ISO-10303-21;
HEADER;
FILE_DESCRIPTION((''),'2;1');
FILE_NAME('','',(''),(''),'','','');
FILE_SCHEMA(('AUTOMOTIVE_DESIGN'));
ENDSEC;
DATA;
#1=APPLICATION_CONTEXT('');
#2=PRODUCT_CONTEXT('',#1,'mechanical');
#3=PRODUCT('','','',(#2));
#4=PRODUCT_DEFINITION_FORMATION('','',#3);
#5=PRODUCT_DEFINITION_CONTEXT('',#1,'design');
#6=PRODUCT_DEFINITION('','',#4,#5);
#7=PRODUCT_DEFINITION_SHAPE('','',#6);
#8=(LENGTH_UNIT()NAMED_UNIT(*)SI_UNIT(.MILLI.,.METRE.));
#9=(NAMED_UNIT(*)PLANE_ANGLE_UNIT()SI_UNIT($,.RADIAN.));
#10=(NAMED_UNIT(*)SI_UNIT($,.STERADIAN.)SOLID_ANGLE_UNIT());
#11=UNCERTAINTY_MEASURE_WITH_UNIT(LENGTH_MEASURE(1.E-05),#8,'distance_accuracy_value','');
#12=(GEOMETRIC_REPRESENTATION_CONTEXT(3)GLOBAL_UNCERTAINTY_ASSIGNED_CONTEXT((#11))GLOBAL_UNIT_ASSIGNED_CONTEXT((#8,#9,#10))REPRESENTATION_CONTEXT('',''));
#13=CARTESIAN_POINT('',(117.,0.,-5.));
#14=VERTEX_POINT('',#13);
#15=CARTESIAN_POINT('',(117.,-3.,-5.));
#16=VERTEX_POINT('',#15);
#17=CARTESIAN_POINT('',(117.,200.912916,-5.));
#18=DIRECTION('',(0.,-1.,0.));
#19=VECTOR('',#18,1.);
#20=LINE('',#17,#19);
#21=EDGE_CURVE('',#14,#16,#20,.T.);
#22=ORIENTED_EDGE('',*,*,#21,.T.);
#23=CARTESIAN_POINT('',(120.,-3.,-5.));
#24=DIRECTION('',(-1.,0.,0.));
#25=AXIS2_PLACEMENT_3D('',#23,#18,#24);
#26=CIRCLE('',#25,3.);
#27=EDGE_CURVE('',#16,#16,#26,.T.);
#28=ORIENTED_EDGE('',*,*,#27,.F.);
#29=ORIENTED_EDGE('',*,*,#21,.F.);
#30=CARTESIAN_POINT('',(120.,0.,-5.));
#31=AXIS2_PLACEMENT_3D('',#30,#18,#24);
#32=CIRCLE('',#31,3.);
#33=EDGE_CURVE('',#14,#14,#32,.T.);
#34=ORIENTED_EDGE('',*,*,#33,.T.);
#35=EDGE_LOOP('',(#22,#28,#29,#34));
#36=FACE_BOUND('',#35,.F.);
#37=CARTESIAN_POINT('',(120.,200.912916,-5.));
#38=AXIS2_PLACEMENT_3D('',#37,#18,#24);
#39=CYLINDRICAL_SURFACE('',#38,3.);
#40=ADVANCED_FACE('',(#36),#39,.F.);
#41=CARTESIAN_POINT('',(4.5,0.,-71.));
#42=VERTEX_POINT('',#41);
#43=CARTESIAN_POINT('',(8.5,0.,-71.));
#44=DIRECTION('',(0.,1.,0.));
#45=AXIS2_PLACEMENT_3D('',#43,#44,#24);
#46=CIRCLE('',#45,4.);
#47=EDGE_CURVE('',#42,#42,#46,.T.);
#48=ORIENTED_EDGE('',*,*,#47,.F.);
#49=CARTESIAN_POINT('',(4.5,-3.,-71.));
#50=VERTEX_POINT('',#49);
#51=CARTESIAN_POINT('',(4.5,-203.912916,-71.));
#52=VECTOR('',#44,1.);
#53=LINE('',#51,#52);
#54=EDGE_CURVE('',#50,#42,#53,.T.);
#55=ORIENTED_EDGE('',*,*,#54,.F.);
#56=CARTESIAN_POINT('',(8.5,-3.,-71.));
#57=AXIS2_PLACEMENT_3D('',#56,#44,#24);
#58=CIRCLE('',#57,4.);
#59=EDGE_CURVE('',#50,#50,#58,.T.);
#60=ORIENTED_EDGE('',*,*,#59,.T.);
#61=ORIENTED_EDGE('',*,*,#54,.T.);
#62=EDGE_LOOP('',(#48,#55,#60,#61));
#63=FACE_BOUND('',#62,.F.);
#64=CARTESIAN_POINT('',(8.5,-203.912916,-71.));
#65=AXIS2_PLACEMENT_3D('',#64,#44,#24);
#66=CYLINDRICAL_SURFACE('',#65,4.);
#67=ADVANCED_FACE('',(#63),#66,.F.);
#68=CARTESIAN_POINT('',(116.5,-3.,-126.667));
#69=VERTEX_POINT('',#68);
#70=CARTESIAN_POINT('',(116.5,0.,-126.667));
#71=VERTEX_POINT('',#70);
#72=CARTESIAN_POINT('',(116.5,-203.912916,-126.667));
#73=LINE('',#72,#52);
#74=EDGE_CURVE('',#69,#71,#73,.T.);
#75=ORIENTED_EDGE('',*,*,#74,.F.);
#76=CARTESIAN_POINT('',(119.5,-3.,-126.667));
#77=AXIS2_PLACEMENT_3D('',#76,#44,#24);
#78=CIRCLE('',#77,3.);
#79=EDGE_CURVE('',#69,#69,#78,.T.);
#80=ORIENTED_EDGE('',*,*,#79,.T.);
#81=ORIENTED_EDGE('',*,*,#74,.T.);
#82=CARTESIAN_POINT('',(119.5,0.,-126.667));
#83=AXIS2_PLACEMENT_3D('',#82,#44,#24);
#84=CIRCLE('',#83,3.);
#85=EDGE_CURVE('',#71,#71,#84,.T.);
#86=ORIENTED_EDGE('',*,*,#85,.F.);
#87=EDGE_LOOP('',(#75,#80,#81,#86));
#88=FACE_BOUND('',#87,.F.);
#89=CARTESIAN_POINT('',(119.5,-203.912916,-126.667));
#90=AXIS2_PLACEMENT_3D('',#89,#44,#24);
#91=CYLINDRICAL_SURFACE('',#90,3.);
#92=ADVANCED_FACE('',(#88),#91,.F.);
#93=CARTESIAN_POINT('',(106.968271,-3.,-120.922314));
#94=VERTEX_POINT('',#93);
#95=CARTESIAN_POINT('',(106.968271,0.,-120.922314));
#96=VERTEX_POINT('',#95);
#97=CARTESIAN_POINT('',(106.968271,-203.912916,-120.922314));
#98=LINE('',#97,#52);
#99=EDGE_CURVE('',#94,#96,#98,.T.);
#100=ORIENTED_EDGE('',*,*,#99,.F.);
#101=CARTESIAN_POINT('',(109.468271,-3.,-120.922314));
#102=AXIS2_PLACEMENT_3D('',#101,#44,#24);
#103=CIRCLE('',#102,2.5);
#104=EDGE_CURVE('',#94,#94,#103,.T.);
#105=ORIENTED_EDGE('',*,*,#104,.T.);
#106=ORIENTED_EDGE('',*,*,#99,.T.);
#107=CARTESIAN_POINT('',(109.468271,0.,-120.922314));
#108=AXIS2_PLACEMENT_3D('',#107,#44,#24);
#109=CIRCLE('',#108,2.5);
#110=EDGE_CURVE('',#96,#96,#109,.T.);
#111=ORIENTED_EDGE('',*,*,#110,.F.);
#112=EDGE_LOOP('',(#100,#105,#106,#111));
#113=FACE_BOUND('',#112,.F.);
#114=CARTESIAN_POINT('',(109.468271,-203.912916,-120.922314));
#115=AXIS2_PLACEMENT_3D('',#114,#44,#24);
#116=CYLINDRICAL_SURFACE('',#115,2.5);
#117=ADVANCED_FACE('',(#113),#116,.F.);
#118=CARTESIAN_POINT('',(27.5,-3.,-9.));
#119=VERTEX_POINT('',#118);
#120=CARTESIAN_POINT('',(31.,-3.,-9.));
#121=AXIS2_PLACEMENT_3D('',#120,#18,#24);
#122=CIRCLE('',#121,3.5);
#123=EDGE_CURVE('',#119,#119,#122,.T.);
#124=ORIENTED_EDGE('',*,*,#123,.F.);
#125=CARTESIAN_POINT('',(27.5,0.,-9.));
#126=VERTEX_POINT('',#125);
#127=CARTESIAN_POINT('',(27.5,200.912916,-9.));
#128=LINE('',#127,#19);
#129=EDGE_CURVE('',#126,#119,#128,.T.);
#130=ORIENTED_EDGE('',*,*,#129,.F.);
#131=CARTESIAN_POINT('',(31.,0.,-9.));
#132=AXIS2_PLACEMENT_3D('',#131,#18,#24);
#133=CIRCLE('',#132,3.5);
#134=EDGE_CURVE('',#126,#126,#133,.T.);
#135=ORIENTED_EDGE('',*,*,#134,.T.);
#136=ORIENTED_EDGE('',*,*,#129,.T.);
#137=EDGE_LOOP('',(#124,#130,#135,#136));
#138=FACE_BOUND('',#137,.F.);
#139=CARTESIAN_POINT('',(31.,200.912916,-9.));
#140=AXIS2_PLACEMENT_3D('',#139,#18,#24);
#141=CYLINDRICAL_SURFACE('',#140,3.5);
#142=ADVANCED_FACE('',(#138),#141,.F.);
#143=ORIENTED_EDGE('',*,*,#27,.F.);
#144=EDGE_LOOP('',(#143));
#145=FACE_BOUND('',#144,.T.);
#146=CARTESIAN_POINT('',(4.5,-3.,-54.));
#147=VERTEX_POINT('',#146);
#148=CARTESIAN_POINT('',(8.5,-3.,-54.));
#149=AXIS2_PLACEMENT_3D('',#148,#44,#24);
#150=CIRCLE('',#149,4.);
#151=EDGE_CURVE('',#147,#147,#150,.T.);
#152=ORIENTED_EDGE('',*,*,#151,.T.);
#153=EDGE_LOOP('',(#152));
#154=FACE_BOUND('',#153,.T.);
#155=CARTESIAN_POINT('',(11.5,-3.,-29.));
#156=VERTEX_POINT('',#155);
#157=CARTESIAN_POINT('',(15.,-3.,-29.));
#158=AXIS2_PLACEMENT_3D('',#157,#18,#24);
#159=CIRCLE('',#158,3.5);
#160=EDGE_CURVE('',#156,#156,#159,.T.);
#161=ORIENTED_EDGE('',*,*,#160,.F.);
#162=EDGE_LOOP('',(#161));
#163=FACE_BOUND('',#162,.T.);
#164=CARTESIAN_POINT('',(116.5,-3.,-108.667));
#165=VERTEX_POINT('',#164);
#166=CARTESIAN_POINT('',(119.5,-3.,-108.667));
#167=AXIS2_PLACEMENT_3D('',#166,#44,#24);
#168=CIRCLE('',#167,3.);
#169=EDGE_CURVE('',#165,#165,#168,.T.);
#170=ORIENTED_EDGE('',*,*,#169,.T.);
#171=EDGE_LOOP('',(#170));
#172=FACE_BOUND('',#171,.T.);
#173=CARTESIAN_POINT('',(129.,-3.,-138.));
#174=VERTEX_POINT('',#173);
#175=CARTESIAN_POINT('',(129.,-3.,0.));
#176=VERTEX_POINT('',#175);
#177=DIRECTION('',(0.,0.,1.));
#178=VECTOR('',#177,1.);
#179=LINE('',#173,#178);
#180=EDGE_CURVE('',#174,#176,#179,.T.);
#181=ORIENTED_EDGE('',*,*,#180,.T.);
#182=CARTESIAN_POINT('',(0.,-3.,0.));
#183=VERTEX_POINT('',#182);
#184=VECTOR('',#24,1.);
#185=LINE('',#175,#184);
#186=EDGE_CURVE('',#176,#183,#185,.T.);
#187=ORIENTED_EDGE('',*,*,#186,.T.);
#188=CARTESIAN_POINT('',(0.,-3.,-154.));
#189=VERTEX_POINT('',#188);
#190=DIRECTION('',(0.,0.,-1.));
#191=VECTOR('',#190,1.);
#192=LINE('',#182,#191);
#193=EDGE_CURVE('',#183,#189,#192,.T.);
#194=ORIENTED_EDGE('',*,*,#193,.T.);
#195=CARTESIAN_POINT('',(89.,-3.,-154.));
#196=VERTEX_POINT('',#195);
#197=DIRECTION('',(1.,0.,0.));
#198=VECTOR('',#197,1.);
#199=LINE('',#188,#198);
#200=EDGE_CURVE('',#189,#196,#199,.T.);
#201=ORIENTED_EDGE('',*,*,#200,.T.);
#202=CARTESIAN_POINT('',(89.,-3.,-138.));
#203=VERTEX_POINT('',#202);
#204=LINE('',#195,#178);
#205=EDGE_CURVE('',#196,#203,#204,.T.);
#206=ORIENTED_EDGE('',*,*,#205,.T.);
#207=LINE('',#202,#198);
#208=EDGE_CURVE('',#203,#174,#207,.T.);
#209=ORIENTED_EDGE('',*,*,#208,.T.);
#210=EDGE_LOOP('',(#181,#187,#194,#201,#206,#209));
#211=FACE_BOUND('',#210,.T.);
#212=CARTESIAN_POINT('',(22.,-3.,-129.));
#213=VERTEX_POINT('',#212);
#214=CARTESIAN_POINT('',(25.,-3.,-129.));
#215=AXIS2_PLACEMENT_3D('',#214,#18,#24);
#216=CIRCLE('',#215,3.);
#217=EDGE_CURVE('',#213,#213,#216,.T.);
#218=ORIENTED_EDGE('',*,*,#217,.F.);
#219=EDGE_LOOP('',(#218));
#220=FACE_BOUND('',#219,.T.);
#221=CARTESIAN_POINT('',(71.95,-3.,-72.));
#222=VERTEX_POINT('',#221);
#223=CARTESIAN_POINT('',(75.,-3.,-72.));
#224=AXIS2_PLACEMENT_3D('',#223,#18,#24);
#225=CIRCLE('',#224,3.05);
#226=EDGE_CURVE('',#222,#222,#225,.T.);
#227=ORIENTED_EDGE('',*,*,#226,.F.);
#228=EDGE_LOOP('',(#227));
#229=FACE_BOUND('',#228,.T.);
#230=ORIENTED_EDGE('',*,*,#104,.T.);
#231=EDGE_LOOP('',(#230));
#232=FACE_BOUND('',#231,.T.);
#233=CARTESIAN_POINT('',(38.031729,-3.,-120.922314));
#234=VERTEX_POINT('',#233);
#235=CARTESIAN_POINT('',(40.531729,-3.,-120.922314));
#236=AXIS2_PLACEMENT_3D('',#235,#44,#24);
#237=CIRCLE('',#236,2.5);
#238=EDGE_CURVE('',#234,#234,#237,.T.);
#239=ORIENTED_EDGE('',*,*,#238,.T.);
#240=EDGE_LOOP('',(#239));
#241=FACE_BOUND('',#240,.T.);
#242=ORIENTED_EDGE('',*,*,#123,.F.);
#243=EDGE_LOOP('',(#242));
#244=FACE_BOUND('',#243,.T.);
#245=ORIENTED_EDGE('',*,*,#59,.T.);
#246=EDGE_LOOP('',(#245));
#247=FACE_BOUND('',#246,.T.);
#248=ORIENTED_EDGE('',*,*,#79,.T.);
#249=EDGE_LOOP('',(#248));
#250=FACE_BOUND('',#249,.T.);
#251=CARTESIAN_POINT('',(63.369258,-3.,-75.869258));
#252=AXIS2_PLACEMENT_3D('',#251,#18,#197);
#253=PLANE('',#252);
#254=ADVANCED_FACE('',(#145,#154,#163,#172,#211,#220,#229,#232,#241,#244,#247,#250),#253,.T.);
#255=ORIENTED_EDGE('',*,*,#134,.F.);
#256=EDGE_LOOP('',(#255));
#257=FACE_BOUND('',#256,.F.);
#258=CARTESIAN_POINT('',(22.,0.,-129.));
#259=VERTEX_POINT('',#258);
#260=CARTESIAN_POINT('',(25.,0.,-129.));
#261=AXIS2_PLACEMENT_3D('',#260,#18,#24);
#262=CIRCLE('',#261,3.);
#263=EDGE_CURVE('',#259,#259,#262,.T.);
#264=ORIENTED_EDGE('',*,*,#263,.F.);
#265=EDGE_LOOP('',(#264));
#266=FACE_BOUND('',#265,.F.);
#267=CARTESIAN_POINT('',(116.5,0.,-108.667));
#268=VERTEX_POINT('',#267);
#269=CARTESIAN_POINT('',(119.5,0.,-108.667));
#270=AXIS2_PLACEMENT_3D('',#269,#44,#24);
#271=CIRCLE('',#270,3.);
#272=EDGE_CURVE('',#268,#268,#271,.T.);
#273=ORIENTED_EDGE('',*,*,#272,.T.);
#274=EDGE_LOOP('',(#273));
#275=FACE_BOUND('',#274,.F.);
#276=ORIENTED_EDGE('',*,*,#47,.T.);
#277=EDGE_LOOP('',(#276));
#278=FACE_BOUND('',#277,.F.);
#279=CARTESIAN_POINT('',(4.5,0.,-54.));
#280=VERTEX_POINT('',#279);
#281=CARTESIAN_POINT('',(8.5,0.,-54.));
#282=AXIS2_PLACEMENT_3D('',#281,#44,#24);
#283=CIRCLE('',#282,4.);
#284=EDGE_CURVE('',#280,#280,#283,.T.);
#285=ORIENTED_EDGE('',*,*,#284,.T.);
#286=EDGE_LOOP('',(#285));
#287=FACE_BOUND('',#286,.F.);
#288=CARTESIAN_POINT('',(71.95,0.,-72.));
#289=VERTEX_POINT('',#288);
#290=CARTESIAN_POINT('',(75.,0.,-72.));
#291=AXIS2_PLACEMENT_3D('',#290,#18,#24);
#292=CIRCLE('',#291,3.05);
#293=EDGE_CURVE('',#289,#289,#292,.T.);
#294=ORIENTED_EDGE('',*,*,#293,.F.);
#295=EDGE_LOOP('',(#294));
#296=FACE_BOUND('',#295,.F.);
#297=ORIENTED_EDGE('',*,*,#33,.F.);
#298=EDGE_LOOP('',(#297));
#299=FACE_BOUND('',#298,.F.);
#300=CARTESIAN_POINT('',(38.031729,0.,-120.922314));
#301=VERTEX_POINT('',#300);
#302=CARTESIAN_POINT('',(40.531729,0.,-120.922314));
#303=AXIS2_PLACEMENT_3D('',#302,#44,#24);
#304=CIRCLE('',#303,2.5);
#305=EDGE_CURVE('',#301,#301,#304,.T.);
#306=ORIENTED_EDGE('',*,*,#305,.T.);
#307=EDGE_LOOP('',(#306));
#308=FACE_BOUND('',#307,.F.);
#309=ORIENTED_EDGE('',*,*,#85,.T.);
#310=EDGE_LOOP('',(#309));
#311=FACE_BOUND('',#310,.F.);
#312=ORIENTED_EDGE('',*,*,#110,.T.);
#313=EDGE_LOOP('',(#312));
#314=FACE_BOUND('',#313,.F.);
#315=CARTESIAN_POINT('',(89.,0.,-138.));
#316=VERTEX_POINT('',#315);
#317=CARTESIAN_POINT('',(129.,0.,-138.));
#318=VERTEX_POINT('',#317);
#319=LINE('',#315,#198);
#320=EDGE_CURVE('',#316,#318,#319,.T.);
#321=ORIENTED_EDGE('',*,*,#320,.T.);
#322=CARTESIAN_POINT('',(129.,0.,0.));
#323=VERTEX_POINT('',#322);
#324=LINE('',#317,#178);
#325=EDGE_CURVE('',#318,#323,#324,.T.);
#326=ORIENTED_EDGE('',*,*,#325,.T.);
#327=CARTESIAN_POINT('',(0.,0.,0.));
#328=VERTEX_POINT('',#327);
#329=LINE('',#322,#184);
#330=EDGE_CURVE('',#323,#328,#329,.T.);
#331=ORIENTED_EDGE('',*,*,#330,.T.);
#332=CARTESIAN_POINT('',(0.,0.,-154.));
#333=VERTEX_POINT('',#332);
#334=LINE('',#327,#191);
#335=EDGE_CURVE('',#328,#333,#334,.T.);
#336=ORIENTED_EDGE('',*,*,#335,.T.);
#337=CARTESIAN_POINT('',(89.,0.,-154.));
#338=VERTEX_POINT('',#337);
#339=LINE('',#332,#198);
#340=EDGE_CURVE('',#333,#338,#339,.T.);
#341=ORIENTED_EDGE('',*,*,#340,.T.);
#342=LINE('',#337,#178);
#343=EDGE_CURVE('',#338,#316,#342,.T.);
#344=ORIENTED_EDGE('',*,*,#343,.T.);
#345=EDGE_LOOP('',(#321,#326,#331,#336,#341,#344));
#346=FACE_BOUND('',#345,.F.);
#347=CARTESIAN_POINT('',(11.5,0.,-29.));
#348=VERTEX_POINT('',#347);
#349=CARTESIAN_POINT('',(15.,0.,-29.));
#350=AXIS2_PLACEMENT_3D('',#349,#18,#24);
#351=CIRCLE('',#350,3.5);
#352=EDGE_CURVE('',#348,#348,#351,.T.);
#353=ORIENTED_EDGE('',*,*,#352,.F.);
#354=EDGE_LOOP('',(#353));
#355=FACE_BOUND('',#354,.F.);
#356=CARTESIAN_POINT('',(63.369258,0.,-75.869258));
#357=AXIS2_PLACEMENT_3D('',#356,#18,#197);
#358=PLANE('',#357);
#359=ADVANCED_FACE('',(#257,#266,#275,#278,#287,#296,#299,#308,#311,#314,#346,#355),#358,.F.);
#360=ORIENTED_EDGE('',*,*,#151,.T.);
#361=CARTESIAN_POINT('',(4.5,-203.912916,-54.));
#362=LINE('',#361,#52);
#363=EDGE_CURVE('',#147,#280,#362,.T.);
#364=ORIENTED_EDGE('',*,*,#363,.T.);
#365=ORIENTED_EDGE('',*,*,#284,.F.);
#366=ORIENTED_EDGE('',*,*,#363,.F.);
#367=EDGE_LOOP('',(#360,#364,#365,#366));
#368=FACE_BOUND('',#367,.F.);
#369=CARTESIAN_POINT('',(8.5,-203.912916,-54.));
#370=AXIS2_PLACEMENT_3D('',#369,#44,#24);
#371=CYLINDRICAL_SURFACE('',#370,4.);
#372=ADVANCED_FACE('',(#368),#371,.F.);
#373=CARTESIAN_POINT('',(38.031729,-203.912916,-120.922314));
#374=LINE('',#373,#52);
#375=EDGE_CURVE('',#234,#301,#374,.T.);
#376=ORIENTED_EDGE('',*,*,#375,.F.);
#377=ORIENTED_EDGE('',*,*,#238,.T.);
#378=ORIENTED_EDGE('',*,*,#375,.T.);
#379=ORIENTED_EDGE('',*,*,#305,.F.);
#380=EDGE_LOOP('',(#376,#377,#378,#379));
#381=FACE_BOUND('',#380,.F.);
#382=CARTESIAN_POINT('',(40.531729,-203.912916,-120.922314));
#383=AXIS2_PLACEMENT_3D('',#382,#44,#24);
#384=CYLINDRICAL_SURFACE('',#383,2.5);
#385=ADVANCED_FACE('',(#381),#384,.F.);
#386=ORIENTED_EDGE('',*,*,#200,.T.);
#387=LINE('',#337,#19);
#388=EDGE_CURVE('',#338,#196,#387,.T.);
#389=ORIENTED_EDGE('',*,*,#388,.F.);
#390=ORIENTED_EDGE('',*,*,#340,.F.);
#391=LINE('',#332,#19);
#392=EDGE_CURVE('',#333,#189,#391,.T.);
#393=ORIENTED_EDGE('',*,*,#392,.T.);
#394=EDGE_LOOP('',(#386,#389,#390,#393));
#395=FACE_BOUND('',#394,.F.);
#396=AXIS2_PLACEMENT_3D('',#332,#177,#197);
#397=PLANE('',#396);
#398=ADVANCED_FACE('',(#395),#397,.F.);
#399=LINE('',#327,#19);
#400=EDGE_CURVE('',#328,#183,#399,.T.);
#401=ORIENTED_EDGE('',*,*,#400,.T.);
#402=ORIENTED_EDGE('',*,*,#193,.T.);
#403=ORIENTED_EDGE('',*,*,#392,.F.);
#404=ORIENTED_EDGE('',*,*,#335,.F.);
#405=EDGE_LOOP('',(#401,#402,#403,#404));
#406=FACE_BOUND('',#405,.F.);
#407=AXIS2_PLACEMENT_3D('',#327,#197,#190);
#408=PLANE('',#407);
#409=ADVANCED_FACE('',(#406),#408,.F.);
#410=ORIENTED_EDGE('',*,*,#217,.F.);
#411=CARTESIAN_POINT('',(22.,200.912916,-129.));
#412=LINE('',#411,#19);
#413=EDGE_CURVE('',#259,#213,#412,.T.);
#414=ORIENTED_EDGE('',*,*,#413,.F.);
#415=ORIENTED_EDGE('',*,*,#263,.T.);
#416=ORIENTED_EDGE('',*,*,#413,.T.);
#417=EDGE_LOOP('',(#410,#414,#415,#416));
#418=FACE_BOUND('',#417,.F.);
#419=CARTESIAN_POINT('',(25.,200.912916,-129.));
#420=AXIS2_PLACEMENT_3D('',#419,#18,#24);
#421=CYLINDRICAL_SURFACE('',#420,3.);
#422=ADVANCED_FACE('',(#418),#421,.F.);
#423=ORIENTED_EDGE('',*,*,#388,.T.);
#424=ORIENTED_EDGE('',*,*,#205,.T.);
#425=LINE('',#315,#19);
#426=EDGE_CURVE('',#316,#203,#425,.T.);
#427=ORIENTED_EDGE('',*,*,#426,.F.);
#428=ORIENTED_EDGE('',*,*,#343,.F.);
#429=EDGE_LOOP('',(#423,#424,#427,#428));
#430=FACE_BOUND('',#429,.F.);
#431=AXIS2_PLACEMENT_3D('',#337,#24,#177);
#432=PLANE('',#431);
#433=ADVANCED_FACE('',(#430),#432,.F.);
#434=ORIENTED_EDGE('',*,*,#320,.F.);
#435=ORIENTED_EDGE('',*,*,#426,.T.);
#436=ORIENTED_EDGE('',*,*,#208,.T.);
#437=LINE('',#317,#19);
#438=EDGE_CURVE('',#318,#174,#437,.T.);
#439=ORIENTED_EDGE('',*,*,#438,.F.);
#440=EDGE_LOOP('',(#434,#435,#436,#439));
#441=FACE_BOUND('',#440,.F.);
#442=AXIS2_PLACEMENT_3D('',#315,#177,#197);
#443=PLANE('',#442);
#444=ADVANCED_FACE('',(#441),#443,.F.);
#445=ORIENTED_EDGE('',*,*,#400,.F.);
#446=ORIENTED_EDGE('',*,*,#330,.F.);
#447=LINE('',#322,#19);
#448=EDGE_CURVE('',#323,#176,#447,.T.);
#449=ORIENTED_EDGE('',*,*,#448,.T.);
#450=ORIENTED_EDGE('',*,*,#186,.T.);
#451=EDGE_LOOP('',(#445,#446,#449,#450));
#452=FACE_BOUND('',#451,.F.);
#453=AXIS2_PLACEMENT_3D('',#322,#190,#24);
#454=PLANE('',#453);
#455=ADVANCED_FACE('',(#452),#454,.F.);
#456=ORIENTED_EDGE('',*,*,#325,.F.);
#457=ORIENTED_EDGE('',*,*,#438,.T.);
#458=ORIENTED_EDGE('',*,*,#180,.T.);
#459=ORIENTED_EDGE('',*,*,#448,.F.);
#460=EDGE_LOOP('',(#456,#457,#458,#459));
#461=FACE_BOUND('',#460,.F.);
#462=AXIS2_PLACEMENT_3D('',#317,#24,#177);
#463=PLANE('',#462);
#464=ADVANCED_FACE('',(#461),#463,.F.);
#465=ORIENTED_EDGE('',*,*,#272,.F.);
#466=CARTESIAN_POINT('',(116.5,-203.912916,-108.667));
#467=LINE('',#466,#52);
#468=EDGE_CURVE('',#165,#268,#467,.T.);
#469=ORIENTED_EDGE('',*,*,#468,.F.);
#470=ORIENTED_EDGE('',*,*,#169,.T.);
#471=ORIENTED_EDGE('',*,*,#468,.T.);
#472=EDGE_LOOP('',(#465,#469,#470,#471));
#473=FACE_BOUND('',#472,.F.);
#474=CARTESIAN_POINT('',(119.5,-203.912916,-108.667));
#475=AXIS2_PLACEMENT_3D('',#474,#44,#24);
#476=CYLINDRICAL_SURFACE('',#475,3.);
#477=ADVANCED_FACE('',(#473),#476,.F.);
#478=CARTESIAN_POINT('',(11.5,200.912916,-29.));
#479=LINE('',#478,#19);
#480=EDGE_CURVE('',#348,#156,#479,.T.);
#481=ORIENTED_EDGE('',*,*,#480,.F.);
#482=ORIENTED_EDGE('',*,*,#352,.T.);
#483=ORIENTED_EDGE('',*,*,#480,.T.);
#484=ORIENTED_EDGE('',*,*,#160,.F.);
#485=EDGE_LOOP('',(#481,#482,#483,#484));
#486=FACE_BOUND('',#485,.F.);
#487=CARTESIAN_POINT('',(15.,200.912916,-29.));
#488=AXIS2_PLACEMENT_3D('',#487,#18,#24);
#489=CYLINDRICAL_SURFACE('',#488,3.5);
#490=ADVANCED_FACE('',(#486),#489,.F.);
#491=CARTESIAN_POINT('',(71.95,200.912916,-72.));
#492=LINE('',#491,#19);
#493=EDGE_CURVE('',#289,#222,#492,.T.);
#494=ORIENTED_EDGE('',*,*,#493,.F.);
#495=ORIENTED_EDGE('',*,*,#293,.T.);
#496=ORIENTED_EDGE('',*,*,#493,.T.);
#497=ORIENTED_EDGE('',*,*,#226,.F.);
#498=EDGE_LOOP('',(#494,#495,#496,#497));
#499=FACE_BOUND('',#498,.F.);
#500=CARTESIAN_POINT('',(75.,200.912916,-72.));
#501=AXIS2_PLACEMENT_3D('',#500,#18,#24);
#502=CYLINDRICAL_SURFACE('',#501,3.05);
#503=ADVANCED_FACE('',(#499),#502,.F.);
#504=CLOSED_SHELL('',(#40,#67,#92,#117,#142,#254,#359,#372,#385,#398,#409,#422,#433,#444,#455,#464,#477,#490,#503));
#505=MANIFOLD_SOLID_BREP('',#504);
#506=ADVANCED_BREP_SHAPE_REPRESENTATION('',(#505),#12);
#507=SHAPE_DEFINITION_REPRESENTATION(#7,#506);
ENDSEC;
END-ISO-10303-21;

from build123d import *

# Parameters (mm, degrees)
F1_DEPTH = 3
F2_D     = 7
F3_D     = 6.1
F4_D     = 6
F6_D     = 5
F7_D     = 8
F8_D     = 6


with BuildPart() as f1:
    # F0 (on Front) → F1 (new body)
    with BuildSketch(Plane.XZ):
        Polygon((129, 0), (0, 0), (0, -154), (89, -154), (89, -138), (129, -138), align=None)
    extrude(amount=F1_DEPTH)

    # F2 (through all)
    with Locations(Plane(origin=(0, 0, 0), x_dir=(1, 0, 0), z_dir=(0, 1, 0))):
        with Locations((15, 29), (31, 9)):
            Hole(F2_D / 2)

    # F3 (through all)
    with Locations(Plane(origin=(0, 0, 0), x_dir=(1, 0, 0), z_dir=(0, 1, 0))):
        with Locations((75, 72)):
            Hole(F3_D / 2)

    # F4 (through all)
    with Locations(Plane(origin=(0, 0, 0), x_dir=(1, 0, 0), z_dir=(0, 1, 0))):
        with Locations((120, 5), (25, 129)):
            Hole(F4_D / 2)

    # F6 (through all)
    with Locations(Plane.XZ.offset(3)):
        with Locations((40.5317286446, -120.9223137817), (109.4682713554, -120.9223137817)):
            Hole(F6_D / 2)

    # F7 (through all)
    with Locations(Plane.XZ.offset(3)):
        with Locations((8.5, -71), (8.5, -54)):
            Hole(F7_D / 2)

    # F8 (through all)
    with Locations(Plane.XZ.offset(3)):
        with Locations((119.5, -108.667), (119.5, -126.667)):
            Hole(F8_D / 2)


solid = f1.part
